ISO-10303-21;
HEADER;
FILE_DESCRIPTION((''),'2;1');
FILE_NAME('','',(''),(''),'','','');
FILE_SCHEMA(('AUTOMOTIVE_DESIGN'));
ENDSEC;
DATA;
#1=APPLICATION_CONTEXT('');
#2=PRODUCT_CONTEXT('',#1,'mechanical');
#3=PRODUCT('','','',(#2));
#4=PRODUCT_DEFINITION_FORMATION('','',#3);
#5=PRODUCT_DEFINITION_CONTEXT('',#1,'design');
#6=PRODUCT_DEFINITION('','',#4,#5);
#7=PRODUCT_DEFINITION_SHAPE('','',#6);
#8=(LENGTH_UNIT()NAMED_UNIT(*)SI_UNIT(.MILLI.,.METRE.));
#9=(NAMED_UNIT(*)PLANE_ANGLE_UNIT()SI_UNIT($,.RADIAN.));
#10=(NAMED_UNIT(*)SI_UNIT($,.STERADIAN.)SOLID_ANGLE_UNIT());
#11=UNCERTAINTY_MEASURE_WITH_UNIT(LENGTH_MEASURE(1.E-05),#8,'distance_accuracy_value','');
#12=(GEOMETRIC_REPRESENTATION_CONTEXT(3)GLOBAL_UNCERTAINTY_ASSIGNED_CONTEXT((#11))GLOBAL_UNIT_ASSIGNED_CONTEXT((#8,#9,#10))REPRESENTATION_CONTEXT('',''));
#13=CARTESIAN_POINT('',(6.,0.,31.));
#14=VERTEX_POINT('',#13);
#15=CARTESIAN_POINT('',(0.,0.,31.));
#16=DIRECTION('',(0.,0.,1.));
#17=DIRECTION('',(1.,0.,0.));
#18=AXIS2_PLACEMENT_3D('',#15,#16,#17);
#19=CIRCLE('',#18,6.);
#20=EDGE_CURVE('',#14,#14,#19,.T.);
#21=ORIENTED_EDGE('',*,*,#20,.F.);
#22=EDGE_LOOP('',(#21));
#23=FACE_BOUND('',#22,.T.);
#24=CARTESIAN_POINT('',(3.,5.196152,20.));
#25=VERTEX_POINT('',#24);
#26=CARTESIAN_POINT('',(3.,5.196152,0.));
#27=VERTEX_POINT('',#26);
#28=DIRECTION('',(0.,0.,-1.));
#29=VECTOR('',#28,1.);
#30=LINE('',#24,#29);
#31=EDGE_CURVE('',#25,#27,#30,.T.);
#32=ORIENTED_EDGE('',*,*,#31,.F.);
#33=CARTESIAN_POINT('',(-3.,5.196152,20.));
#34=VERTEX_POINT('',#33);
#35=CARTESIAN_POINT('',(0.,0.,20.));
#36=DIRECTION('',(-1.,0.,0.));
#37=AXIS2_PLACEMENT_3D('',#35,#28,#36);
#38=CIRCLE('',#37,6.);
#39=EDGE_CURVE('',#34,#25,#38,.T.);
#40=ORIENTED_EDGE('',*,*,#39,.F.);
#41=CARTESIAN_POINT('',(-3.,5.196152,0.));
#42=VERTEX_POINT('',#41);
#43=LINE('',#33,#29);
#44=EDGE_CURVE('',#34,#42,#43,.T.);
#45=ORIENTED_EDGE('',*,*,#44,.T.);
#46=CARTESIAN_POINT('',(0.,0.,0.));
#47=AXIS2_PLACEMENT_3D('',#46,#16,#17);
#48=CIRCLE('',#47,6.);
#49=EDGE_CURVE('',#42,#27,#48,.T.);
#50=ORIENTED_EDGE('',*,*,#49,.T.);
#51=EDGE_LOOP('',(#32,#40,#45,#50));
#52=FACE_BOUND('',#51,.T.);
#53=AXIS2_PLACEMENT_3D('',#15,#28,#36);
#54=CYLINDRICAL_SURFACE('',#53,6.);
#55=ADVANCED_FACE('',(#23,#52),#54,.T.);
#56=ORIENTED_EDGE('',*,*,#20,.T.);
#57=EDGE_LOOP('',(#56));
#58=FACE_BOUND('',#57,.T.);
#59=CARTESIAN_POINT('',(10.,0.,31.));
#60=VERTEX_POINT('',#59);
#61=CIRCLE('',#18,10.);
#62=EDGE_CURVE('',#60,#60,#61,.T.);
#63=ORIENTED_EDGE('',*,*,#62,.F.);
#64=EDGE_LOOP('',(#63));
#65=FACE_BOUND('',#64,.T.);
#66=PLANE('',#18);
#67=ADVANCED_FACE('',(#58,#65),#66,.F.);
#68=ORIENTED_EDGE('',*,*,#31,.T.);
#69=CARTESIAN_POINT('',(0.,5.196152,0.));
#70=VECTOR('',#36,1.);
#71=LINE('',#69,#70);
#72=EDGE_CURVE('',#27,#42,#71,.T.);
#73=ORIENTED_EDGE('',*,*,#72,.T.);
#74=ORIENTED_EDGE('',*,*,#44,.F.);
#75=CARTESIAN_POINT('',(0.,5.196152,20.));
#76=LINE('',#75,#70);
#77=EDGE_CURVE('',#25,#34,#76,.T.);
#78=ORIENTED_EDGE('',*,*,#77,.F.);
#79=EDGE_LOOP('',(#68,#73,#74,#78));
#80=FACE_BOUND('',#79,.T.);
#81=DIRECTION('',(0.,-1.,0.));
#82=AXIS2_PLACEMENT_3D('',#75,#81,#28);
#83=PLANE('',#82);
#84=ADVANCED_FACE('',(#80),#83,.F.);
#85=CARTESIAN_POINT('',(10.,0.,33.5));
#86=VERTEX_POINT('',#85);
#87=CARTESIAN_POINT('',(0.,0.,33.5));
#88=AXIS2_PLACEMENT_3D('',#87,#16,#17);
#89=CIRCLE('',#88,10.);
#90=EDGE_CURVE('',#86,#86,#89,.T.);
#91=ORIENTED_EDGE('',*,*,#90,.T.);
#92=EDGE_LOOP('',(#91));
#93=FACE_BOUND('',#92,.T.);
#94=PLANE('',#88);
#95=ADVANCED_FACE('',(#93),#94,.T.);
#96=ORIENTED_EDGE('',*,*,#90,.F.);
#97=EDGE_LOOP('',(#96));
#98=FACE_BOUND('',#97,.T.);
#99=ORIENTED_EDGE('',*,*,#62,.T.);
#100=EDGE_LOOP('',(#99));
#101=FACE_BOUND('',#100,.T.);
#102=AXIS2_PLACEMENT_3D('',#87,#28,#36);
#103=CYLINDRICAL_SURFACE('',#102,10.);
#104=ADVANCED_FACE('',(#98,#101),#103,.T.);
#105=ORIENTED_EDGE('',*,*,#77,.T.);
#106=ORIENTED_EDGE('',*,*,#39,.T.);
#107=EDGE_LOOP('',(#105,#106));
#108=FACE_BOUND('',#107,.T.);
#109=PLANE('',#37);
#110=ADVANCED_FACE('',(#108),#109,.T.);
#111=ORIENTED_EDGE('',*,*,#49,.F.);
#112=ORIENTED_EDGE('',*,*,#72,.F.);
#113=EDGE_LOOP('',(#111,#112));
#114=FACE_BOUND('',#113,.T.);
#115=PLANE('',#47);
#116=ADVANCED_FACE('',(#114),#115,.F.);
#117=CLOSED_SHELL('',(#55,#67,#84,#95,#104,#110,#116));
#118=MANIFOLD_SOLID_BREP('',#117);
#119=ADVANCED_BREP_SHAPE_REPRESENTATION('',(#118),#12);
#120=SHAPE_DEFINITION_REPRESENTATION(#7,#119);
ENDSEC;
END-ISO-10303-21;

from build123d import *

# Parameters (mm, degrees)
SKETCH1_R           = 6
BOSS_EXTRUDE1_DEPTH = 31
CUT_EXTRUDE1_DEPTH  = 20
SKETCH3_R           = 10
BOSS_EXTRUDE2_DEPTH = 2.5


with BuildPart() as part:
    # Sketch1 → Boss-Extrude1 (new body)
    with BuildSketch(Plane.XY):
        Circle(SKETCH1_R)
    extrude(amount=BOSS_EXTRUDE1_DEPTH)

    # Sketch2 → Cut-Extrude1 (cut)
    with BuildSketch(Plane(origin=(0, 0, 0), x_dir=(-1, 0, 0), z_dir=(0, 0, -1))):
        Polygon((-41.730042052, 5.196152423), (-3, 5.196152423), (3, 5.196152423), (41.730042052, 5.196152423), (41.730042052, 82.656236526), (-41.730042052, 82.656236526), align=None)
    extrude(amount=-CUT_EXTRUDE1_DEPTH, mode=Mode.SUBTRACT)

    # Sketch3 → Boss-Extrude2 (add)
    with BuildSketch(Plane.XY.offset(31)):
        Circle(SKETCH3_R)
    extrude(amount=BOSS_EXTRUDE2_DEPTH)


solid = part.part
